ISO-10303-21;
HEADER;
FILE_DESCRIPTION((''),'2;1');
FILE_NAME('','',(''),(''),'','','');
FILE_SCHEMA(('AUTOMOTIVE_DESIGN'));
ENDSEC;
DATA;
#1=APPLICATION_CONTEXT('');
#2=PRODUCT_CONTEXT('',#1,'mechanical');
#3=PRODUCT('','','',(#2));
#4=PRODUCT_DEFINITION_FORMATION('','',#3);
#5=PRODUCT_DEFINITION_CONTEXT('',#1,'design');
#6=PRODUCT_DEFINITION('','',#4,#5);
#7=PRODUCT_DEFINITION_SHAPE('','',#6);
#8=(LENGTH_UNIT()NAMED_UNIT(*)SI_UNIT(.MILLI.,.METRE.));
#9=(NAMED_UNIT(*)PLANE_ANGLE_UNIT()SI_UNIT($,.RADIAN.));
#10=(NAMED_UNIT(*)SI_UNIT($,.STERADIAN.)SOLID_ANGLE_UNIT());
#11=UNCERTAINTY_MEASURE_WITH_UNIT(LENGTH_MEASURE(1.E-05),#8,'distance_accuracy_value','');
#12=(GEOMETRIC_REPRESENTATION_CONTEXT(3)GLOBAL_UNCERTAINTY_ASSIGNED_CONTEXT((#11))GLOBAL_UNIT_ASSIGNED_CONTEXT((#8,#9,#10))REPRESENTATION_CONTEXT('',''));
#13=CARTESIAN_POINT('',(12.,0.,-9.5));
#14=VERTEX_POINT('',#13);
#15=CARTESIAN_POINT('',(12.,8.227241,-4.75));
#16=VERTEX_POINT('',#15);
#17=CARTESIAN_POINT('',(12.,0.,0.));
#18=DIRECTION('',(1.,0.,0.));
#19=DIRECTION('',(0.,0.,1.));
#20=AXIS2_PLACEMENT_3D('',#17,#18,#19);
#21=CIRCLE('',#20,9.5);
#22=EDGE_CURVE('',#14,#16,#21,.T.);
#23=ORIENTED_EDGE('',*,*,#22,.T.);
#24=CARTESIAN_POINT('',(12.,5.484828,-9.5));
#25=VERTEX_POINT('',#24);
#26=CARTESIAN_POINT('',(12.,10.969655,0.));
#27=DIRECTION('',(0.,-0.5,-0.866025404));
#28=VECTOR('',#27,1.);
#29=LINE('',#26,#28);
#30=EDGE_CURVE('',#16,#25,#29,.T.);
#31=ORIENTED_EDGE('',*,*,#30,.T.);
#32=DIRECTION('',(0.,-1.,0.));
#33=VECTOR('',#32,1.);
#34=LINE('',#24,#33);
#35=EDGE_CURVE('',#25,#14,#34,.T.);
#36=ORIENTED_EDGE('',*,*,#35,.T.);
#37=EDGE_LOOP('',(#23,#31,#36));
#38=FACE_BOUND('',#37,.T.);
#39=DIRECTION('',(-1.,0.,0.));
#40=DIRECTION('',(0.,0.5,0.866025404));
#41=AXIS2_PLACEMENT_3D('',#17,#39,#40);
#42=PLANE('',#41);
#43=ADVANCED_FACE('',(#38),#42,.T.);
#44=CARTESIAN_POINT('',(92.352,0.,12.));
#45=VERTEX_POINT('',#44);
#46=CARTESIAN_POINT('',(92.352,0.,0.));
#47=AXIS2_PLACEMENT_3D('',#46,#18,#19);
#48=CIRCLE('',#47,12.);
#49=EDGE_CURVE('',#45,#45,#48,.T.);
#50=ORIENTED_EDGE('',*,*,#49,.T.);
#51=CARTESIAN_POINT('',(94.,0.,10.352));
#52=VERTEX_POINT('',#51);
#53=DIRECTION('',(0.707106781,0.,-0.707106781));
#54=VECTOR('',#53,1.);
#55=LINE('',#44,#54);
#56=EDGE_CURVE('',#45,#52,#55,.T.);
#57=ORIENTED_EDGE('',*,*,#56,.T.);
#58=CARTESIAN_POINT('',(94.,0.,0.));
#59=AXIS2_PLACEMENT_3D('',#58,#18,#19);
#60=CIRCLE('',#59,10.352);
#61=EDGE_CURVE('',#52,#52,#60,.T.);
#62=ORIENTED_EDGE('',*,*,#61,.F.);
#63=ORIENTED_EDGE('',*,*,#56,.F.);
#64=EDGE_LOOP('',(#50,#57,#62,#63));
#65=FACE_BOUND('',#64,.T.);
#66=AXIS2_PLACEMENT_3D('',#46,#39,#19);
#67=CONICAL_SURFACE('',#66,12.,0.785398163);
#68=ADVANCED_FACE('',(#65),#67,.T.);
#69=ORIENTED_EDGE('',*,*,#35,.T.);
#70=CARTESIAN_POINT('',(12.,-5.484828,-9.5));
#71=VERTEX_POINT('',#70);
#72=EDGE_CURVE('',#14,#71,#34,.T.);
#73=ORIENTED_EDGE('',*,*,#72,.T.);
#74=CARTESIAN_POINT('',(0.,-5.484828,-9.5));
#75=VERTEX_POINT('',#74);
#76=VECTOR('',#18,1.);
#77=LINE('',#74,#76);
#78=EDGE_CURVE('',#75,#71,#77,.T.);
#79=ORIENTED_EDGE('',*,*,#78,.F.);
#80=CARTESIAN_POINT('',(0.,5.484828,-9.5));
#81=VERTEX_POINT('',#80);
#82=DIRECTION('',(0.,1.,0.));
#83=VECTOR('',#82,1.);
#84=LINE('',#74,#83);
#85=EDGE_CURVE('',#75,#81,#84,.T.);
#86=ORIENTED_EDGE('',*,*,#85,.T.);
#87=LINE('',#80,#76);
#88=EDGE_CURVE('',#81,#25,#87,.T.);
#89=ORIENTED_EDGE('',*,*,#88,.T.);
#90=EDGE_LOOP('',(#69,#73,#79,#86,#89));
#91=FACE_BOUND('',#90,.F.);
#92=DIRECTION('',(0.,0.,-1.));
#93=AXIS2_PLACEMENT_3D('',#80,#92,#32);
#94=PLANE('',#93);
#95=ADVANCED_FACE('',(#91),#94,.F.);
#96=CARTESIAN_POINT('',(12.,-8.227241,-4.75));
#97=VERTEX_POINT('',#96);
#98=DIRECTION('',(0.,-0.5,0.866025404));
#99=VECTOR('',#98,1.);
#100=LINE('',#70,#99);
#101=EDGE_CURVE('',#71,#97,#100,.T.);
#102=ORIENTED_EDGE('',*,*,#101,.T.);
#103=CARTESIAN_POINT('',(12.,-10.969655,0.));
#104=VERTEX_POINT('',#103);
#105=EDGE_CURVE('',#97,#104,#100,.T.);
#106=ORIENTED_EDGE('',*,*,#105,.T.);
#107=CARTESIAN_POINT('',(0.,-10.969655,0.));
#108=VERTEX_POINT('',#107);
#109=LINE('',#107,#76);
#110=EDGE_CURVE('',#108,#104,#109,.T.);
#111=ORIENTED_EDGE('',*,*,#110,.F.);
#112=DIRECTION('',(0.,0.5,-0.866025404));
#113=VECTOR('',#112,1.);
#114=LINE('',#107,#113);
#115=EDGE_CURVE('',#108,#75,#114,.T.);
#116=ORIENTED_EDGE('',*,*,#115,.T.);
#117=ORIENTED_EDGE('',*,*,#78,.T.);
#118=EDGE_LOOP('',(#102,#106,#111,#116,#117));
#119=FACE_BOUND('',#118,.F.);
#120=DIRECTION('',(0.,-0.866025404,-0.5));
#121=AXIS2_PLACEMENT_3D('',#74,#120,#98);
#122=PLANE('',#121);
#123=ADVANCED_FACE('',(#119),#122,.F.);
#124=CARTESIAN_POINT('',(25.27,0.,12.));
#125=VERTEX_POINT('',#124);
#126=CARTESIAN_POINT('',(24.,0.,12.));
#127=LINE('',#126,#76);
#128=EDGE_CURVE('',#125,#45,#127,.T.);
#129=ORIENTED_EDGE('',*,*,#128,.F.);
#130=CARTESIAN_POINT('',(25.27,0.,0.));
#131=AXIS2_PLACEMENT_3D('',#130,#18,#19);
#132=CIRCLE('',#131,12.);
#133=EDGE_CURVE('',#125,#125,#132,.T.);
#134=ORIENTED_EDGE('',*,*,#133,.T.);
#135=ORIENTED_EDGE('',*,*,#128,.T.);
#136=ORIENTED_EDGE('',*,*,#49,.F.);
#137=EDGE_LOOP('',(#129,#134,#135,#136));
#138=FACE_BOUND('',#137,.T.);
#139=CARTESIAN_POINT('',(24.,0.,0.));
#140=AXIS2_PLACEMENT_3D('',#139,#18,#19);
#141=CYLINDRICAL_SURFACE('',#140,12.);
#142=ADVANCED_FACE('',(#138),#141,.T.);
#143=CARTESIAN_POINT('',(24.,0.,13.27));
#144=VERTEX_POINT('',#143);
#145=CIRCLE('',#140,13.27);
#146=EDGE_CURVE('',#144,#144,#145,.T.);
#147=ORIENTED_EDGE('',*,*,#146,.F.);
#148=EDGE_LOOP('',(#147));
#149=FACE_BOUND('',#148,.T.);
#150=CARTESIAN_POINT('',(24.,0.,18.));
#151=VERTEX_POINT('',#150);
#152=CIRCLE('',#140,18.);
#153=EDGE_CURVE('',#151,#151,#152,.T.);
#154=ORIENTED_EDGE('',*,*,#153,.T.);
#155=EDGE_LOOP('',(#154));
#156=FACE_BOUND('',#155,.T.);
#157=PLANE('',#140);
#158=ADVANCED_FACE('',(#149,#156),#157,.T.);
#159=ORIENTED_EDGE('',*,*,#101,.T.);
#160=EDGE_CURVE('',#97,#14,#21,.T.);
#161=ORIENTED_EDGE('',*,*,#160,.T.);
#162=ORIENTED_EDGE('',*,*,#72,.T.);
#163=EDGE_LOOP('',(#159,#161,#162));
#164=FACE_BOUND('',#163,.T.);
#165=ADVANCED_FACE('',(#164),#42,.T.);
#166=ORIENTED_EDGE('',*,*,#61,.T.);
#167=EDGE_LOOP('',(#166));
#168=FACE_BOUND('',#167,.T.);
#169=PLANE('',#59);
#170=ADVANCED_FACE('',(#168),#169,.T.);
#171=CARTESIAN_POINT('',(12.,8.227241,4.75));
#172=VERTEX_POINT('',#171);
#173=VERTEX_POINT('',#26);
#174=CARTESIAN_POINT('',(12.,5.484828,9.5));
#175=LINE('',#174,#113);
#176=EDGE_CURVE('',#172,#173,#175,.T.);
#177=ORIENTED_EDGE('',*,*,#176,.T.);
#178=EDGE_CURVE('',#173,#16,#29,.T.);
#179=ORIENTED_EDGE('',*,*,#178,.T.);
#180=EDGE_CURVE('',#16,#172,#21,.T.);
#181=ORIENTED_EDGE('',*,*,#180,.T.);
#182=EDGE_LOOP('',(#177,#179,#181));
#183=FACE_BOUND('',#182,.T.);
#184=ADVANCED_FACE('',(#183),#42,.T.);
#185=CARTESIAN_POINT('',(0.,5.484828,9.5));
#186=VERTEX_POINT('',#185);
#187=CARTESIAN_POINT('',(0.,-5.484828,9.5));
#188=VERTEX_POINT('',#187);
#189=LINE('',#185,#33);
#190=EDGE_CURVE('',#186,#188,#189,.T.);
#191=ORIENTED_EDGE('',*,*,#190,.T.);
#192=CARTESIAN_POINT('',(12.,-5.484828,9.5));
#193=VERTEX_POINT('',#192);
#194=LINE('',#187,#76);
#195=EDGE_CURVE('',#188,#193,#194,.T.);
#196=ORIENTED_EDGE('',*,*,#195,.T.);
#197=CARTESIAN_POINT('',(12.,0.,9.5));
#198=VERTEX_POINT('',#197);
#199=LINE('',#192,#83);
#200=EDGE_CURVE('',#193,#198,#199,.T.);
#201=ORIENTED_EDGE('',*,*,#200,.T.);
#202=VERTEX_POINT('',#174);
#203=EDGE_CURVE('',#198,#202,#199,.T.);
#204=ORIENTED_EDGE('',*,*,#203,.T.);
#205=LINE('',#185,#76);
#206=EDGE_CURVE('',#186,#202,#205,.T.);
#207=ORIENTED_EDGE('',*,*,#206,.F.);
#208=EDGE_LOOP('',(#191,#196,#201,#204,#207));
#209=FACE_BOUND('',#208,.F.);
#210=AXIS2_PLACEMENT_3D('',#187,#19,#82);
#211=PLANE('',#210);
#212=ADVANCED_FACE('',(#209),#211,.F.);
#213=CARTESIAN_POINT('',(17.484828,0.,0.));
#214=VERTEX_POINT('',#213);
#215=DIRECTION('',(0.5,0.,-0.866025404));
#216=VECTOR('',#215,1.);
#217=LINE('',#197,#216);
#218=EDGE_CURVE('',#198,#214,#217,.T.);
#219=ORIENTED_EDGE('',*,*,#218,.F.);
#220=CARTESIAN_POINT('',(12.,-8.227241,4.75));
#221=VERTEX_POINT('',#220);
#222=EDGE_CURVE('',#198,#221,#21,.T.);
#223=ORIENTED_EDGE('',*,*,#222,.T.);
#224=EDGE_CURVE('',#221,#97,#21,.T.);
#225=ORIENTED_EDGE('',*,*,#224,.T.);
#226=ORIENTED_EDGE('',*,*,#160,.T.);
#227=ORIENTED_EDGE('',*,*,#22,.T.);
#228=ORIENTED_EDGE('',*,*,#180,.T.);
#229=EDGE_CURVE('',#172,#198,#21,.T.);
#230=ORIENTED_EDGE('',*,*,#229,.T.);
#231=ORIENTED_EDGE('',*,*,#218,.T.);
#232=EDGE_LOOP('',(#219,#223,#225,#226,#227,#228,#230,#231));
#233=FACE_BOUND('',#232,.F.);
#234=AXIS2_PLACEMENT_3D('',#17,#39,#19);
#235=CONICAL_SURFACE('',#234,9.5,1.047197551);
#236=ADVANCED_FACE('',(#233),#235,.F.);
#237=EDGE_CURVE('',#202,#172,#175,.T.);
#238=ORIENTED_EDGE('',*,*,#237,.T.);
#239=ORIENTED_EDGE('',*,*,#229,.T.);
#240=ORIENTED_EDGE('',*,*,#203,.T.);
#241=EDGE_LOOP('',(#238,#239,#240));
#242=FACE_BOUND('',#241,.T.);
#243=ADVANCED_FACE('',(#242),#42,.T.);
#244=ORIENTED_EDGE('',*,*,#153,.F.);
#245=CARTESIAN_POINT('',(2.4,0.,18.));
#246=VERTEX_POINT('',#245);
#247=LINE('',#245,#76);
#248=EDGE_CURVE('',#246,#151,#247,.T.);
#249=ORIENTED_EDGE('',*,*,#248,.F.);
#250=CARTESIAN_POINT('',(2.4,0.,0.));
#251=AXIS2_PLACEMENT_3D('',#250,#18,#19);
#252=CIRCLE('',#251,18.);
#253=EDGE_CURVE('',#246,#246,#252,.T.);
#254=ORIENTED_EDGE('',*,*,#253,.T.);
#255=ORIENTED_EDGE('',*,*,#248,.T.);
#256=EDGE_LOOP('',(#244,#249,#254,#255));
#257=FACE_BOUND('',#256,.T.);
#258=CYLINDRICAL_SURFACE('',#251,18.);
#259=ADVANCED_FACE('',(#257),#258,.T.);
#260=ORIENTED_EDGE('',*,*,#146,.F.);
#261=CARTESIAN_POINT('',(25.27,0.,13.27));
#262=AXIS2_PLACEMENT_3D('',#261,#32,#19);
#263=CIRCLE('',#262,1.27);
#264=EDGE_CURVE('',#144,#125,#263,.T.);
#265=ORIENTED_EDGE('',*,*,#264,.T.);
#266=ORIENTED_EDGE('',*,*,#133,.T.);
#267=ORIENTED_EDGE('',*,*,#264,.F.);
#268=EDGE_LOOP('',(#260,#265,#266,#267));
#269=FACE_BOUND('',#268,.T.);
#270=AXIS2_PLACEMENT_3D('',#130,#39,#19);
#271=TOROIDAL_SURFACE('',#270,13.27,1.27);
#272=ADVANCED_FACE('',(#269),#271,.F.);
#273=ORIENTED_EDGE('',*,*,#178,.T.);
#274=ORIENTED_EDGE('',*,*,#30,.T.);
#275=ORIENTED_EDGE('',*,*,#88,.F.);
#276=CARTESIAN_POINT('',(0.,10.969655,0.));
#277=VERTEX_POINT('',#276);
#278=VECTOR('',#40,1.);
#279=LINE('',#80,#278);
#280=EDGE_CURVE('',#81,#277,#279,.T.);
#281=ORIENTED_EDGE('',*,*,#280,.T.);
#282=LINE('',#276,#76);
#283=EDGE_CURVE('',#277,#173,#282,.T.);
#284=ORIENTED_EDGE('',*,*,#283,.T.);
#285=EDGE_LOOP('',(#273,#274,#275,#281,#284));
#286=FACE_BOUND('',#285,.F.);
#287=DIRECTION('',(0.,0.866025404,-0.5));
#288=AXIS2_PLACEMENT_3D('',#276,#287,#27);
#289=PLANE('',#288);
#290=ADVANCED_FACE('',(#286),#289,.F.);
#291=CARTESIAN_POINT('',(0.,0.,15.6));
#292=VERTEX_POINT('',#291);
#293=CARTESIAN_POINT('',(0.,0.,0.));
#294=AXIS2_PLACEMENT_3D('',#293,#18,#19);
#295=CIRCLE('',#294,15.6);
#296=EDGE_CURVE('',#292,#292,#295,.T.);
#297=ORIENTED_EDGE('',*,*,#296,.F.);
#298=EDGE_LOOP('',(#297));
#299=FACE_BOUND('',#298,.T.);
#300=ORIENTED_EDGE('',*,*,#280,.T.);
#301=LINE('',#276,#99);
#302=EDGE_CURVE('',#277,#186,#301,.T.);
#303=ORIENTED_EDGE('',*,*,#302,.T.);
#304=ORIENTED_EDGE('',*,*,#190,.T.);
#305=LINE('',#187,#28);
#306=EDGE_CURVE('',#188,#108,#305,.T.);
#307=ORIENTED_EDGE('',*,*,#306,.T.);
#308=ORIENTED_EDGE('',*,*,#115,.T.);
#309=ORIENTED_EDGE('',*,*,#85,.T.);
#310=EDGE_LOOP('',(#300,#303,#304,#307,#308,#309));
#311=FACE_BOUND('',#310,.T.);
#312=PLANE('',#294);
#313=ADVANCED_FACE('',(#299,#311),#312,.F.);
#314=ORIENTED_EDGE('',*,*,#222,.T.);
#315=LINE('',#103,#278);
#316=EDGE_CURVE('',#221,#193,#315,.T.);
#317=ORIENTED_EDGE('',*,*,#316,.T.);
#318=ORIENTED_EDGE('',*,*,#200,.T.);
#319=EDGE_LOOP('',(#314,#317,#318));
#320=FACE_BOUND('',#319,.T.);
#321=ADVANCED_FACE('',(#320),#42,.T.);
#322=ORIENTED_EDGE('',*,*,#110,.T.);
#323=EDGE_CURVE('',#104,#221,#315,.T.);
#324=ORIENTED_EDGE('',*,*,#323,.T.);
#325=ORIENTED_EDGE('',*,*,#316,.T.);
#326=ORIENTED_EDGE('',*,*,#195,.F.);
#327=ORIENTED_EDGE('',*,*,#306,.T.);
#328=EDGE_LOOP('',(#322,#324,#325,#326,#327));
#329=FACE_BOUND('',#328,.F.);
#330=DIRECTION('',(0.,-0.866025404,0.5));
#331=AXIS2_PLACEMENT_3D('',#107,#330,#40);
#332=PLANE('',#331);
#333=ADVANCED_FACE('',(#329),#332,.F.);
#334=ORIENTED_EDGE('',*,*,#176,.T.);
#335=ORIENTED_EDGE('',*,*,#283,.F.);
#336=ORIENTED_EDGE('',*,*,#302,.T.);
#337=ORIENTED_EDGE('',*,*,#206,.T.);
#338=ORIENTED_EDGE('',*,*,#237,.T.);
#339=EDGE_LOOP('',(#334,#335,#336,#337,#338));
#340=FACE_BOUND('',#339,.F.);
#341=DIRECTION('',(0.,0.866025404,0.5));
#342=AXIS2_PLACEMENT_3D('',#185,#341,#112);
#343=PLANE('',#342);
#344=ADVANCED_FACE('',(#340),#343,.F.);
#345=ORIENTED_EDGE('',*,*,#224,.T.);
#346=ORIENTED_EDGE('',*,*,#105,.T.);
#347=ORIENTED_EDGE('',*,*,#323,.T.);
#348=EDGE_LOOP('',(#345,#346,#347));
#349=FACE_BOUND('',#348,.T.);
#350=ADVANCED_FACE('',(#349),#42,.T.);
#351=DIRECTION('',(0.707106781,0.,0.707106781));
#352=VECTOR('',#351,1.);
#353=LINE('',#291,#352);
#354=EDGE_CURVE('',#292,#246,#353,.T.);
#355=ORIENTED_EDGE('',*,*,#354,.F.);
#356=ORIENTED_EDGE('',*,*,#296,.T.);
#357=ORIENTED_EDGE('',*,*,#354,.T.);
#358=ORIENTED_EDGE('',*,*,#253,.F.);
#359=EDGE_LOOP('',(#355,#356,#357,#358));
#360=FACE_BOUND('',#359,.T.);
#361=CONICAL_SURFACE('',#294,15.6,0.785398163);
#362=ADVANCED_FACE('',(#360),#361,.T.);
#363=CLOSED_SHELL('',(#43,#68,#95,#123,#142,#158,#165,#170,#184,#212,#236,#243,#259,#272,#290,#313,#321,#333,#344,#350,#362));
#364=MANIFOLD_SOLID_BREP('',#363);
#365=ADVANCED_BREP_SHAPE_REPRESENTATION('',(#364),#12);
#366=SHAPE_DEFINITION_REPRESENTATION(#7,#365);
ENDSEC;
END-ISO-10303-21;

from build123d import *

# Parameters (mm, degrees)
FILLET1_R   = 1.27
HEX_2_DEPTH = 12


with BuildPart() as part:
    # BodySke → Base-Revolve (revolve)
    with BuildSketch(Plane.XY, mode=Mode.PRIVATE) as base_revolve_sk:
        Polygon((0, 0), (0, 15.6), (2.4, 18), (24, 18), (24, 12), (92.352, 12), (94, 10.352), (94, 0), align=None)
    revolve(base_revolve_sk.sketch.rotate(Axis((-31.75, 0, 0), (1, 0, 0)), 90), axis=Axis((-31.75, 0, 0), (1, 0, 0)))  # turned: the seam where the file's is

    # Fillet1
    fillet1_edges = [part.edges().sort_by_distance(p)[0] for p in [
        (24, 0, -12),
    ]]
    fillet(fillet1_edges, radius=FILLET1_R)

    # Sketch2 → Hex-PreBroach (revolve, cut)
    with BuildSketch(Plane.XY, mode=Mode.PRIVATE) as hex_prebroach_sk:
        Polygon((0, 9.5), (12, 9.5), (17.484827557, 0), (0, 0), align=None)
    revolve(hex_prebroach_sk.sketch.rotate(Axis((0, 0, 0), (1, 0, 0)), 90), axis=Axis((0, 0, 0), (1, 0, 0)), mode=Mode.SUBTRACT)  # turned: the seam where the file's is

    # Sketch3 → Hex 2 (cut)
    with BuildSketch(Plane(origin=(0, 0, 0), x_dir=(0, 0.5, 0.866025404), z_dir=(-1, 0, 0))):
        Polygon((5.484827557, 9.5), (-5.484827557, 9.5), (-10.969655115, 0), (-5.484827557, -9.5), (5.484827557, -9.5), (10.969655115, 0), align=None)
    extrude(amount=-HEX_2_DEPTH, mode=Mode.SUBTRACT)


solid = part.part
